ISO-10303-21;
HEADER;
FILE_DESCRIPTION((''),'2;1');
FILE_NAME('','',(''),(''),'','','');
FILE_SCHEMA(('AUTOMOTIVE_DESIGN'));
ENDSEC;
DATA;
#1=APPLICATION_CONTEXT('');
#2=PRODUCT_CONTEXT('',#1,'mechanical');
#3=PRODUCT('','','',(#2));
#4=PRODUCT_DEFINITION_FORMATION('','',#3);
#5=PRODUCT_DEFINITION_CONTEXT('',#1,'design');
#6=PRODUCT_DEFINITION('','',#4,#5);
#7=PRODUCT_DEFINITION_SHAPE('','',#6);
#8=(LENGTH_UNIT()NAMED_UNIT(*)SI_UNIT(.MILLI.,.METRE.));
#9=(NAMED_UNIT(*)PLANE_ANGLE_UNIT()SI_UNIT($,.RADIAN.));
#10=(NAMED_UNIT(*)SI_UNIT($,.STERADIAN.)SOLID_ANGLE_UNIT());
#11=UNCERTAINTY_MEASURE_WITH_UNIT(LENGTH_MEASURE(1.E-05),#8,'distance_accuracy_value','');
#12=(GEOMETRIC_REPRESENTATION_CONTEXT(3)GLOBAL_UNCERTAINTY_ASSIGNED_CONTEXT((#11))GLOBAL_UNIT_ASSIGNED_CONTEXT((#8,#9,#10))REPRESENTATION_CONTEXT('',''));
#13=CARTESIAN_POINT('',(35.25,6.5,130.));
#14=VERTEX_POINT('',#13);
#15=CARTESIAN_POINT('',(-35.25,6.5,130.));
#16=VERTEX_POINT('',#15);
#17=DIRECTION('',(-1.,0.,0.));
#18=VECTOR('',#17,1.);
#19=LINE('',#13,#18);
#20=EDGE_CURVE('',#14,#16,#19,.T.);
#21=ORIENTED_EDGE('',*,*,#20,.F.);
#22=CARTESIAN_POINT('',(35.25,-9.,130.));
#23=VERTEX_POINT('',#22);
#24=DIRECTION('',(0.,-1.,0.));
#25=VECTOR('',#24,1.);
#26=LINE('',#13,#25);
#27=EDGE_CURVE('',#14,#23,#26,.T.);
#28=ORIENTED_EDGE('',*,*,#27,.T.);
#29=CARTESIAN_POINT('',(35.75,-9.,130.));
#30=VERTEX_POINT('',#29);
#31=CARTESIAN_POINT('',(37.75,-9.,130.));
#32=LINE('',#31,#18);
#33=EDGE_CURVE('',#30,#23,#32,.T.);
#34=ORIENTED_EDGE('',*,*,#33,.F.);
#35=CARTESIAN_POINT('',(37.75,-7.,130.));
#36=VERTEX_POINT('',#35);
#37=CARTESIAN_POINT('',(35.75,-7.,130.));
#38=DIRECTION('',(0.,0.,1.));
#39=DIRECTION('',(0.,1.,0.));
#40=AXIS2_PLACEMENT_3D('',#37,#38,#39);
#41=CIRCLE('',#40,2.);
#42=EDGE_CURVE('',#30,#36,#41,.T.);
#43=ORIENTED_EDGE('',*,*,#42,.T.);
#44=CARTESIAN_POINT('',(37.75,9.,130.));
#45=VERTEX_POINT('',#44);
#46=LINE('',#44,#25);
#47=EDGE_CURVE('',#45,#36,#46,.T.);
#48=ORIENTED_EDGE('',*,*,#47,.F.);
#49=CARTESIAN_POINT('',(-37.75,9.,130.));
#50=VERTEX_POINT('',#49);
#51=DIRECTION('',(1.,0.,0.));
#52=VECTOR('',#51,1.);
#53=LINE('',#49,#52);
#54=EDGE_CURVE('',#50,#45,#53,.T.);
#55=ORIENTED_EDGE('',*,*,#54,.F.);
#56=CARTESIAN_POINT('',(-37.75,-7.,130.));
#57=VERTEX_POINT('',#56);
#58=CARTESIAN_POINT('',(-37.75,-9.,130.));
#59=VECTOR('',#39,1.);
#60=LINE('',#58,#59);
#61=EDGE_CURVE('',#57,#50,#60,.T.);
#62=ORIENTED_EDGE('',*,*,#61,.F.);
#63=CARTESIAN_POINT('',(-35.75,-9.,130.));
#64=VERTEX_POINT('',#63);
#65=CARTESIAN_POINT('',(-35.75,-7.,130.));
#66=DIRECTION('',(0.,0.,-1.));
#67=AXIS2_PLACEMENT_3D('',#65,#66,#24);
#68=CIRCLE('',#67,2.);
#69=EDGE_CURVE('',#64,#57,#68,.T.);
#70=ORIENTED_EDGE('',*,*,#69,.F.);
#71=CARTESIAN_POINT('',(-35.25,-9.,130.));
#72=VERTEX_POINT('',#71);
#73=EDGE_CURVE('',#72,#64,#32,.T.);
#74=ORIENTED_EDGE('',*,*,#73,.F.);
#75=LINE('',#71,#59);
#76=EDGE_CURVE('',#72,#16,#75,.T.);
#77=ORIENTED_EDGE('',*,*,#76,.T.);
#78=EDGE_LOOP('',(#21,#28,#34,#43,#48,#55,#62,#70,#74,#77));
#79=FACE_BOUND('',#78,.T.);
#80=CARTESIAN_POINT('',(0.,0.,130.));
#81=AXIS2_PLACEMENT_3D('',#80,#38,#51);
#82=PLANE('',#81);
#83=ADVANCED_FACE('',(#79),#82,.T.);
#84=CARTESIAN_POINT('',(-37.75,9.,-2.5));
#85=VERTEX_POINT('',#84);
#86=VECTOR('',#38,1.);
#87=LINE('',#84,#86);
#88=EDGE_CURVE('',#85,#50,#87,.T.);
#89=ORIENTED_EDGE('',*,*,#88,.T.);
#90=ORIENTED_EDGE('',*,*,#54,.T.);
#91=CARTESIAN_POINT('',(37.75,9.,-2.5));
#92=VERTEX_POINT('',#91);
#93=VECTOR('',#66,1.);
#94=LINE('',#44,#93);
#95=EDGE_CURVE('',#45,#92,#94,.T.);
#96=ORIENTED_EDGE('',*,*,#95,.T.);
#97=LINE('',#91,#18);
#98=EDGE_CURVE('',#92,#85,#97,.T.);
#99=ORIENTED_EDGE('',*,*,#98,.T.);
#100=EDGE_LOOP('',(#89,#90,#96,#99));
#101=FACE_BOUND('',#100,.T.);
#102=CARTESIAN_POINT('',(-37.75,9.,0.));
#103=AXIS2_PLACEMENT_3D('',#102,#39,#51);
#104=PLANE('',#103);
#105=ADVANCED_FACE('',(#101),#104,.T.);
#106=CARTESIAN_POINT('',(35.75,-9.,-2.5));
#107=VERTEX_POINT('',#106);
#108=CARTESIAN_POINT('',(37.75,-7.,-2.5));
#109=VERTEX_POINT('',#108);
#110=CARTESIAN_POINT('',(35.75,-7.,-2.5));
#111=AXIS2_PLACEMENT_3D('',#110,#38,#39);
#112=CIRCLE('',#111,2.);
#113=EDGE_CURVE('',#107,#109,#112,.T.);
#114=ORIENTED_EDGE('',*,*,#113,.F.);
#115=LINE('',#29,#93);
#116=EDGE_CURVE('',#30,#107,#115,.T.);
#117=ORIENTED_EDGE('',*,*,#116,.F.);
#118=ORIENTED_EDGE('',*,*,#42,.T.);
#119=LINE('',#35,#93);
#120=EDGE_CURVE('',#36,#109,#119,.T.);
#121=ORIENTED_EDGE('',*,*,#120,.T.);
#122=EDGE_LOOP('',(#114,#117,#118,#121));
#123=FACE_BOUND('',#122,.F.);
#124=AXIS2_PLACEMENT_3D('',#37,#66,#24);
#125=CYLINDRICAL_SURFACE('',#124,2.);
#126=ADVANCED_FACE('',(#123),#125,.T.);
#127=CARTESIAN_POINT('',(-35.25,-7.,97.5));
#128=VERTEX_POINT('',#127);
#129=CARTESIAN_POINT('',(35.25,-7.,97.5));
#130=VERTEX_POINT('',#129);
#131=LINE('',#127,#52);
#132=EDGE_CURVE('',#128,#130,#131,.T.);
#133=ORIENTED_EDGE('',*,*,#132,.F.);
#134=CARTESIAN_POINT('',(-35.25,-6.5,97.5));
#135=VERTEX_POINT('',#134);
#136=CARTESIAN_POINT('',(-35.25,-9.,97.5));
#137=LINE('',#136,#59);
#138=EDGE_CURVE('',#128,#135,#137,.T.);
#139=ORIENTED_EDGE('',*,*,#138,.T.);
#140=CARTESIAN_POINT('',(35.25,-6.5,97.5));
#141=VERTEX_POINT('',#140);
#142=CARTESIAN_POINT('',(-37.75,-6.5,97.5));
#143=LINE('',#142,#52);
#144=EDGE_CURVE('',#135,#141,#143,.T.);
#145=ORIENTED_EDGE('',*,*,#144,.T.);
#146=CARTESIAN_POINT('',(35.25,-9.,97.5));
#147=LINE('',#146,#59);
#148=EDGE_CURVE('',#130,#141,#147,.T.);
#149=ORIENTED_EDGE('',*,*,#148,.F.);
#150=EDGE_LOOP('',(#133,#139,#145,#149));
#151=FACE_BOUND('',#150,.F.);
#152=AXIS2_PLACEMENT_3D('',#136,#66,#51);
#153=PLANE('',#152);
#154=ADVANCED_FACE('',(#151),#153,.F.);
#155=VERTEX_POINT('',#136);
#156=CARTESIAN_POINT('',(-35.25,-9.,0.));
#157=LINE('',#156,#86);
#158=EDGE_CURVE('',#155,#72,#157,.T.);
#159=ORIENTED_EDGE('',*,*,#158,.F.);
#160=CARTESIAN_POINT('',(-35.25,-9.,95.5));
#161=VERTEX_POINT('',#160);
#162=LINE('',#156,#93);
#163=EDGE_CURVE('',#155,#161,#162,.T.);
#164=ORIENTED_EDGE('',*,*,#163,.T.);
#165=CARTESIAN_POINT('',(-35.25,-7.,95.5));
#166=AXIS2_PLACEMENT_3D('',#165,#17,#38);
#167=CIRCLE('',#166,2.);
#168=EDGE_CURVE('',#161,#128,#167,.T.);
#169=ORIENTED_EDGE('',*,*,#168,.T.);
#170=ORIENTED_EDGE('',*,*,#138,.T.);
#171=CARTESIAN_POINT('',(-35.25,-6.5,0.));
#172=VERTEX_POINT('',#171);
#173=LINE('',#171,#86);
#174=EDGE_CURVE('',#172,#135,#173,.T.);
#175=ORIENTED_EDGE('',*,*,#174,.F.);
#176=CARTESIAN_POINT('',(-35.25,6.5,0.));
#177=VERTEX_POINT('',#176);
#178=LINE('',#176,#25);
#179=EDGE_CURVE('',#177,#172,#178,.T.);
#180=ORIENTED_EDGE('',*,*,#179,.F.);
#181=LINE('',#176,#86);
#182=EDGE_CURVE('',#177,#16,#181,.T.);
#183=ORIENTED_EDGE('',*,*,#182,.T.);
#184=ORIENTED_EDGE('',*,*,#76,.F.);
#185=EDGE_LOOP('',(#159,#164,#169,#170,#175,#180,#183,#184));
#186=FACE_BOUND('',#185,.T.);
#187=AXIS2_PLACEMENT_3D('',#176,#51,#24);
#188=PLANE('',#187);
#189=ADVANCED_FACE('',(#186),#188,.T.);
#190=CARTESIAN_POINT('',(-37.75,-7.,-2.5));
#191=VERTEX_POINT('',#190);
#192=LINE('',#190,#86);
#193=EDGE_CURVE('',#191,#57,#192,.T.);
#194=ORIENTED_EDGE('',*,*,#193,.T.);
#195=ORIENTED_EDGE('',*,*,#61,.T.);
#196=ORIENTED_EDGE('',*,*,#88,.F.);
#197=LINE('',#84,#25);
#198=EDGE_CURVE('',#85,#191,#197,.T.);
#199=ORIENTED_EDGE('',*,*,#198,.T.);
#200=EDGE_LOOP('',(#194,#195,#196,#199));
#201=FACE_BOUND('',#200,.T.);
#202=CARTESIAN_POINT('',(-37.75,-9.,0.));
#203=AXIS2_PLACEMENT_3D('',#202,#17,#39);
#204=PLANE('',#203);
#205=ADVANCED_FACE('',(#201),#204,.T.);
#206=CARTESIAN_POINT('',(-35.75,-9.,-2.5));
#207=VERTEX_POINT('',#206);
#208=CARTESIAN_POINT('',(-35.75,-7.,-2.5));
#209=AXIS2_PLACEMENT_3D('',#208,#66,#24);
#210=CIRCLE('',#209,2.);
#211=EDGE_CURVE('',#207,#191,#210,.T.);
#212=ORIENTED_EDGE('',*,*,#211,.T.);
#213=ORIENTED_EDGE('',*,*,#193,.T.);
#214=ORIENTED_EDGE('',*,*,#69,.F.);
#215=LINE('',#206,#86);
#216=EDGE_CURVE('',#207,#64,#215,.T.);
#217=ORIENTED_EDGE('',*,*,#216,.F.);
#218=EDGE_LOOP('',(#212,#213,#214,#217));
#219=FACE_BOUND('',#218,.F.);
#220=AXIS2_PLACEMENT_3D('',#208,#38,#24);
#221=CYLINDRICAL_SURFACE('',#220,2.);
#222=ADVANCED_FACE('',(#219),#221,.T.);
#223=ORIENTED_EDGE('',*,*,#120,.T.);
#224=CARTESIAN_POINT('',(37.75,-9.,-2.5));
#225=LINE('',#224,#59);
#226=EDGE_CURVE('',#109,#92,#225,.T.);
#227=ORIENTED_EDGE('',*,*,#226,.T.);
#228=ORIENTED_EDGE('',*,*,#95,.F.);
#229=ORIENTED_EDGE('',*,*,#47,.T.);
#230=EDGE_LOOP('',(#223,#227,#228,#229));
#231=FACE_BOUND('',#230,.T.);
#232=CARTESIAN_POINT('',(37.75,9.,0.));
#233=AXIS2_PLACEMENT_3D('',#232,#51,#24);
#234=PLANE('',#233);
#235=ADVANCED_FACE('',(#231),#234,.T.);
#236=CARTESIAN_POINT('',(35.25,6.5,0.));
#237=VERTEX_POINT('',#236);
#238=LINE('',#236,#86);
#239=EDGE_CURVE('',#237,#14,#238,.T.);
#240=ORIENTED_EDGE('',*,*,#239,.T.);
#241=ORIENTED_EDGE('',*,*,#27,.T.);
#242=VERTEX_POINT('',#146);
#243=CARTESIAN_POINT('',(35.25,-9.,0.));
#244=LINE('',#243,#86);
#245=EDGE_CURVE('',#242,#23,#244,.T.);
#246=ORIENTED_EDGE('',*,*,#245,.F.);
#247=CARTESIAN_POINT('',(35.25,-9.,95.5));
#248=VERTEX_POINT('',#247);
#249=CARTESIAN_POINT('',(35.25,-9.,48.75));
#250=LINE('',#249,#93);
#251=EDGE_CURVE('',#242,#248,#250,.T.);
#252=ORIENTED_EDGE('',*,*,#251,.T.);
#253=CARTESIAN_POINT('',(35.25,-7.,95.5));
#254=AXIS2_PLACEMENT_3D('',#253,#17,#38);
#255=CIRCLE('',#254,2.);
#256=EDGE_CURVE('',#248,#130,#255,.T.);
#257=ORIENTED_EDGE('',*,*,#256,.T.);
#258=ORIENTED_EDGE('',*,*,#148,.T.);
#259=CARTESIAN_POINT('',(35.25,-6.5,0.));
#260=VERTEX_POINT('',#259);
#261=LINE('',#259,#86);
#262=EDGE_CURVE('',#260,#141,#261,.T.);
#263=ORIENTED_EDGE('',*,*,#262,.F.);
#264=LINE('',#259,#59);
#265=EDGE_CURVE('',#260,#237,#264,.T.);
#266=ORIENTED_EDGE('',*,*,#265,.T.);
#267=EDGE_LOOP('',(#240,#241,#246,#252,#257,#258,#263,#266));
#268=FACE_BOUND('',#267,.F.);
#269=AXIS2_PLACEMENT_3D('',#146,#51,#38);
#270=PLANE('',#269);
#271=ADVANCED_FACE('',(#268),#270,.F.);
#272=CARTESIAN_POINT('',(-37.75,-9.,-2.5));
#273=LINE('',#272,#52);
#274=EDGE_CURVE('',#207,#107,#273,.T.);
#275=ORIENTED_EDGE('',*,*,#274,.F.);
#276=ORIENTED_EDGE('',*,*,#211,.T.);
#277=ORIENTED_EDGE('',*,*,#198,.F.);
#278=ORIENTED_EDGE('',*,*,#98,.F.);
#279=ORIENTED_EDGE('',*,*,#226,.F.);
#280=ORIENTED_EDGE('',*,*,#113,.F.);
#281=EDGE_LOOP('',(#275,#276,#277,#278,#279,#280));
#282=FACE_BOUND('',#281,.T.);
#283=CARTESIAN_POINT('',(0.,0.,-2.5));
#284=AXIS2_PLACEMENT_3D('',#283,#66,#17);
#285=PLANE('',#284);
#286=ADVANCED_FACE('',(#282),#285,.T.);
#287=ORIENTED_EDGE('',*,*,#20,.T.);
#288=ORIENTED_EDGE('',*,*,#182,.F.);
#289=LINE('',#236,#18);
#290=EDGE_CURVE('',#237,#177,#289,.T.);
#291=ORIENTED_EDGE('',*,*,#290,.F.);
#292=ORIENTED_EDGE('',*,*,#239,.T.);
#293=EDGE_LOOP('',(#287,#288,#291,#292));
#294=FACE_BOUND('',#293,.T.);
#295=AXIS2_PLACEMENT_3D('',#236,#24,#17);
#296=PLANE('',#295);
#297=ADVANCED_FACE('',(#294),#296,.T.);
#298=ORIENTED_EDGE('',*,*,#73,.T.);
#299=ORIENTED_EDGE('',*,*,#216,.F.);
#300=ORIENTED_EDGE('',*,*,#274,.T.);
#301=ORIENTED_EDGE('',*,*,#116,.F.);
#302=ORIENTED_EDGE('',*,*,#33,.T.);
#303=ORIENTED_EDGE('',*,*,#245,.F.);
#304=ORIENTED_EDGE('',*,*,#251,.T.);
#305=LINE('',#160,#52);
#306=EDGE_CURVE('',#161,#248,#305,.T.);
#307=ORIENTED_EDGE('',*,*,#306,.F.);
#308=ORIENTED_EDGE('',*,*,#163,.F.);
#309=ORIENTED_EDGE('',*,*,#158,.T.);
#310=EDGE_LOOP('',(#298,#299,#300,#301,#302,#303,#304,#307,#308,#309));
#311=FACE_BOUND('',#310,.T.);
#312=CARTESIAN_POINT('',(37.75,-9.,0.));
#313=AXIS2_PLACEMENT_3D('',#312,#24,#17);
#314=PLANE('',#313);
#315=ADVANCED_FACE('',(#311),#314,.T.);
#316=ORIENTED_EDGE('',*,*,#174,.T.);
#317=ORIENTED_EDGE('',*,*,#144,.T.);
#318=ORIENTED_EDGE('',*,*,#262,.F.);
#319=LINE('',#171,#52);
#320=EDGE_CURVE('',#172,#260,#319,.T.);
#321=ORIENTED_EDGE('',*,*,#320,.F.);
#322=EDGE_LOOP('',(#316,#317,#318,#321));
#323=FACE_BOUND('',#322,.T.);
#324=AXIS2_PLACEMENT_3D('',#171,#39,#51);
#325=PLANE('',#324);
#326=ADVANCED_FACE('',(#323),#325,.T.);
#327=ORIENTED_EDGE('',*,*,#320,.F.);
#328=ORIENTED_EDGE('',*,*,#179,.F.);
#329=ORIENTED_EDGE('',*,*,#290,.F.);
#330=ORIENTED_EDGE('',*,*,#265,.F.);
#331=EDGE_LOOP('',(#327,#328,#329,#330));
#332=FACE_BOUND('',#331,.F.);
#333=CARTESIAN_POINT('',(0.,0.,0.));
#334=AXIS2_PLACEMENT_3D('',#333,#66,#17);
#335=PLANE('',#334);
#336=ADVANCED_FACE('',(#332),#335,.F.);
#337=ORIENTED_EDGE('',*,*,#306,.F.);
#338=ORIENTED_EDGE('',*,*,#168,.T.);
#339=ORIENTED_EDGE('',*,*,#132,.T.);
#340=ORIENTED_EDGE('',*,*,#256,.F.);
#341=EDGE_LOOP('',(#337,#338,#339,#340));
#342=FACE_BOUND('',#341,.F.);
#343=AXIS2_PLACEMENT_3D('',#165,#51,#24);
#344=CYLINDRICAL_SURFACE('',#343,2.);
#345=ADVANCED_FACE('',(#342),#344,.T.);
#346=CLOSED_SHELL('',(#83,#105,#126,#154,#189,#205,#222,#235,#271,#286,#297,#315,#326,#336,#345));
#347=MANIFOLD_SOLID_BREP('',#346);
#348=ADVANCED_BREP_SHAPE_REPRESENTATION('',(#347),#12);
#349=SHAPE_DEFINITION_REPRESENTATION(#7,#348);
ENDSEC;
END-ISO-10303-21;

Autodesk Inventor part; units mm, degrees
sketch "Sketch1" plane through (0, 0, 0) normal (0, 0, 1) x (1, 0, 0)
  line L0 (0, 2.8582) -> (0, -2.8582) construction
  line L1 (-5.7775, 0) -> (5.7775, 0) construction
  line L2 (-35.25, -6.5) -> (35.25, -6.5)
  line L3 (35.25, -6.5) -> (35.25, 6.5)
  line L4 (35.25, 6.5) -> (-35.25, 6.5)
  line L5 (-35.25, 6.5) -> (-35.25, -6.5)
  line L6 (-35.25, -6.5) -> (35.25, 6.5) construction
  line L7 (35.25, -6.5) -> (-35.25, 6.5) construction
  line L8 (-37.75, 9) -> (37.75, 9)
  line L9 (37.75, 9) -> (37.75, -9)
  line L10 (37.75, -9) -> (-37.75, -9)
  line L11 (-37.75, -9) -> (-37.75, 9)
  line L12 (-37.75, 9) -> (37.75, -9) construction
  line L13 (37.75, 9) -> (-37.75, -9) construction
  point P0 (0, 0)
  point P1 (0, 0)
  dimension "d0" = 70.5
  dimension "d1" = 13
  dimension "d2" = 2.5
  dimension "d3" = 2.5
extrude "Extrusion1" add sketch "Sketch1" along normal blind 130
sketch "Sketch2" plane through (0, 0, 0) normal (0, 0, -1) x (-1, 0, 0)
  line L0 (-35.25, -6.5) -> (35.25, -6.5) projected
  line L1 (35.25, -6.5) -> (35.25, 6.5) projected
  line L2 (35.25, 6.5) -> (-35.25, 6.5) projected
  line L3 (-35.25, 6.5) -> (-35.25, -6.5) projected
  line L4 (37.75, 9) -> (37.75, -9) projected
  line L5 (37.75, -9) -> (-37.75, -9) projected
  line L6 (-37.75, -9) -> (-37.75, 9) projected
  line L7 (-37.75, 9) -> (37.75, 9) projected
  point P0 (0, 0)
extrude "Extrusion2" add sketch "Sketch2" along normal blind 2.5 contours L3 L2 L1 L0 | L4 L5 L6 L7
sketch "Sketch3" plane through (-37.75, -9, 130) normal (0, -1, 0) x (1, 0, 0)
  line L0 (75.5, -132.5) -> (0, -132.5) projected
  line L1 (0, -132.5) -> (0, 0) projected
  line L2 (0, 0) -> (75.5, 0) projected
  line L3 (75.5, 0) -> (75.5, -132.5) projected
  line L4 (0, -32.5) -> (75.5, -32.5)
  line L5 (2.5, -130) -> (2.5, 0) projected
  line L6 (73, -130) -> (73, 0) projected
  point P0 (37.75, -130)
  point P1 (73, -32.5)
  point P2 (2.5, -32.5)
  dimension "d8" = 100
extrude "Extrusion3" cut sketch "Sketch3" against normal up to surface (2.5 mm away) contours L4 L5 L2 L6
fillet "Fillet1" radius 2 1 edges at (0, -9, 97.5)
fillet "Fillet2" radius 2 2 edges at (-37.75, -9, 63.75) (37.75, -9, 63.75)
equation "\"d3\" = d2"
properties part number "Powerbank Holder" material "S235"
